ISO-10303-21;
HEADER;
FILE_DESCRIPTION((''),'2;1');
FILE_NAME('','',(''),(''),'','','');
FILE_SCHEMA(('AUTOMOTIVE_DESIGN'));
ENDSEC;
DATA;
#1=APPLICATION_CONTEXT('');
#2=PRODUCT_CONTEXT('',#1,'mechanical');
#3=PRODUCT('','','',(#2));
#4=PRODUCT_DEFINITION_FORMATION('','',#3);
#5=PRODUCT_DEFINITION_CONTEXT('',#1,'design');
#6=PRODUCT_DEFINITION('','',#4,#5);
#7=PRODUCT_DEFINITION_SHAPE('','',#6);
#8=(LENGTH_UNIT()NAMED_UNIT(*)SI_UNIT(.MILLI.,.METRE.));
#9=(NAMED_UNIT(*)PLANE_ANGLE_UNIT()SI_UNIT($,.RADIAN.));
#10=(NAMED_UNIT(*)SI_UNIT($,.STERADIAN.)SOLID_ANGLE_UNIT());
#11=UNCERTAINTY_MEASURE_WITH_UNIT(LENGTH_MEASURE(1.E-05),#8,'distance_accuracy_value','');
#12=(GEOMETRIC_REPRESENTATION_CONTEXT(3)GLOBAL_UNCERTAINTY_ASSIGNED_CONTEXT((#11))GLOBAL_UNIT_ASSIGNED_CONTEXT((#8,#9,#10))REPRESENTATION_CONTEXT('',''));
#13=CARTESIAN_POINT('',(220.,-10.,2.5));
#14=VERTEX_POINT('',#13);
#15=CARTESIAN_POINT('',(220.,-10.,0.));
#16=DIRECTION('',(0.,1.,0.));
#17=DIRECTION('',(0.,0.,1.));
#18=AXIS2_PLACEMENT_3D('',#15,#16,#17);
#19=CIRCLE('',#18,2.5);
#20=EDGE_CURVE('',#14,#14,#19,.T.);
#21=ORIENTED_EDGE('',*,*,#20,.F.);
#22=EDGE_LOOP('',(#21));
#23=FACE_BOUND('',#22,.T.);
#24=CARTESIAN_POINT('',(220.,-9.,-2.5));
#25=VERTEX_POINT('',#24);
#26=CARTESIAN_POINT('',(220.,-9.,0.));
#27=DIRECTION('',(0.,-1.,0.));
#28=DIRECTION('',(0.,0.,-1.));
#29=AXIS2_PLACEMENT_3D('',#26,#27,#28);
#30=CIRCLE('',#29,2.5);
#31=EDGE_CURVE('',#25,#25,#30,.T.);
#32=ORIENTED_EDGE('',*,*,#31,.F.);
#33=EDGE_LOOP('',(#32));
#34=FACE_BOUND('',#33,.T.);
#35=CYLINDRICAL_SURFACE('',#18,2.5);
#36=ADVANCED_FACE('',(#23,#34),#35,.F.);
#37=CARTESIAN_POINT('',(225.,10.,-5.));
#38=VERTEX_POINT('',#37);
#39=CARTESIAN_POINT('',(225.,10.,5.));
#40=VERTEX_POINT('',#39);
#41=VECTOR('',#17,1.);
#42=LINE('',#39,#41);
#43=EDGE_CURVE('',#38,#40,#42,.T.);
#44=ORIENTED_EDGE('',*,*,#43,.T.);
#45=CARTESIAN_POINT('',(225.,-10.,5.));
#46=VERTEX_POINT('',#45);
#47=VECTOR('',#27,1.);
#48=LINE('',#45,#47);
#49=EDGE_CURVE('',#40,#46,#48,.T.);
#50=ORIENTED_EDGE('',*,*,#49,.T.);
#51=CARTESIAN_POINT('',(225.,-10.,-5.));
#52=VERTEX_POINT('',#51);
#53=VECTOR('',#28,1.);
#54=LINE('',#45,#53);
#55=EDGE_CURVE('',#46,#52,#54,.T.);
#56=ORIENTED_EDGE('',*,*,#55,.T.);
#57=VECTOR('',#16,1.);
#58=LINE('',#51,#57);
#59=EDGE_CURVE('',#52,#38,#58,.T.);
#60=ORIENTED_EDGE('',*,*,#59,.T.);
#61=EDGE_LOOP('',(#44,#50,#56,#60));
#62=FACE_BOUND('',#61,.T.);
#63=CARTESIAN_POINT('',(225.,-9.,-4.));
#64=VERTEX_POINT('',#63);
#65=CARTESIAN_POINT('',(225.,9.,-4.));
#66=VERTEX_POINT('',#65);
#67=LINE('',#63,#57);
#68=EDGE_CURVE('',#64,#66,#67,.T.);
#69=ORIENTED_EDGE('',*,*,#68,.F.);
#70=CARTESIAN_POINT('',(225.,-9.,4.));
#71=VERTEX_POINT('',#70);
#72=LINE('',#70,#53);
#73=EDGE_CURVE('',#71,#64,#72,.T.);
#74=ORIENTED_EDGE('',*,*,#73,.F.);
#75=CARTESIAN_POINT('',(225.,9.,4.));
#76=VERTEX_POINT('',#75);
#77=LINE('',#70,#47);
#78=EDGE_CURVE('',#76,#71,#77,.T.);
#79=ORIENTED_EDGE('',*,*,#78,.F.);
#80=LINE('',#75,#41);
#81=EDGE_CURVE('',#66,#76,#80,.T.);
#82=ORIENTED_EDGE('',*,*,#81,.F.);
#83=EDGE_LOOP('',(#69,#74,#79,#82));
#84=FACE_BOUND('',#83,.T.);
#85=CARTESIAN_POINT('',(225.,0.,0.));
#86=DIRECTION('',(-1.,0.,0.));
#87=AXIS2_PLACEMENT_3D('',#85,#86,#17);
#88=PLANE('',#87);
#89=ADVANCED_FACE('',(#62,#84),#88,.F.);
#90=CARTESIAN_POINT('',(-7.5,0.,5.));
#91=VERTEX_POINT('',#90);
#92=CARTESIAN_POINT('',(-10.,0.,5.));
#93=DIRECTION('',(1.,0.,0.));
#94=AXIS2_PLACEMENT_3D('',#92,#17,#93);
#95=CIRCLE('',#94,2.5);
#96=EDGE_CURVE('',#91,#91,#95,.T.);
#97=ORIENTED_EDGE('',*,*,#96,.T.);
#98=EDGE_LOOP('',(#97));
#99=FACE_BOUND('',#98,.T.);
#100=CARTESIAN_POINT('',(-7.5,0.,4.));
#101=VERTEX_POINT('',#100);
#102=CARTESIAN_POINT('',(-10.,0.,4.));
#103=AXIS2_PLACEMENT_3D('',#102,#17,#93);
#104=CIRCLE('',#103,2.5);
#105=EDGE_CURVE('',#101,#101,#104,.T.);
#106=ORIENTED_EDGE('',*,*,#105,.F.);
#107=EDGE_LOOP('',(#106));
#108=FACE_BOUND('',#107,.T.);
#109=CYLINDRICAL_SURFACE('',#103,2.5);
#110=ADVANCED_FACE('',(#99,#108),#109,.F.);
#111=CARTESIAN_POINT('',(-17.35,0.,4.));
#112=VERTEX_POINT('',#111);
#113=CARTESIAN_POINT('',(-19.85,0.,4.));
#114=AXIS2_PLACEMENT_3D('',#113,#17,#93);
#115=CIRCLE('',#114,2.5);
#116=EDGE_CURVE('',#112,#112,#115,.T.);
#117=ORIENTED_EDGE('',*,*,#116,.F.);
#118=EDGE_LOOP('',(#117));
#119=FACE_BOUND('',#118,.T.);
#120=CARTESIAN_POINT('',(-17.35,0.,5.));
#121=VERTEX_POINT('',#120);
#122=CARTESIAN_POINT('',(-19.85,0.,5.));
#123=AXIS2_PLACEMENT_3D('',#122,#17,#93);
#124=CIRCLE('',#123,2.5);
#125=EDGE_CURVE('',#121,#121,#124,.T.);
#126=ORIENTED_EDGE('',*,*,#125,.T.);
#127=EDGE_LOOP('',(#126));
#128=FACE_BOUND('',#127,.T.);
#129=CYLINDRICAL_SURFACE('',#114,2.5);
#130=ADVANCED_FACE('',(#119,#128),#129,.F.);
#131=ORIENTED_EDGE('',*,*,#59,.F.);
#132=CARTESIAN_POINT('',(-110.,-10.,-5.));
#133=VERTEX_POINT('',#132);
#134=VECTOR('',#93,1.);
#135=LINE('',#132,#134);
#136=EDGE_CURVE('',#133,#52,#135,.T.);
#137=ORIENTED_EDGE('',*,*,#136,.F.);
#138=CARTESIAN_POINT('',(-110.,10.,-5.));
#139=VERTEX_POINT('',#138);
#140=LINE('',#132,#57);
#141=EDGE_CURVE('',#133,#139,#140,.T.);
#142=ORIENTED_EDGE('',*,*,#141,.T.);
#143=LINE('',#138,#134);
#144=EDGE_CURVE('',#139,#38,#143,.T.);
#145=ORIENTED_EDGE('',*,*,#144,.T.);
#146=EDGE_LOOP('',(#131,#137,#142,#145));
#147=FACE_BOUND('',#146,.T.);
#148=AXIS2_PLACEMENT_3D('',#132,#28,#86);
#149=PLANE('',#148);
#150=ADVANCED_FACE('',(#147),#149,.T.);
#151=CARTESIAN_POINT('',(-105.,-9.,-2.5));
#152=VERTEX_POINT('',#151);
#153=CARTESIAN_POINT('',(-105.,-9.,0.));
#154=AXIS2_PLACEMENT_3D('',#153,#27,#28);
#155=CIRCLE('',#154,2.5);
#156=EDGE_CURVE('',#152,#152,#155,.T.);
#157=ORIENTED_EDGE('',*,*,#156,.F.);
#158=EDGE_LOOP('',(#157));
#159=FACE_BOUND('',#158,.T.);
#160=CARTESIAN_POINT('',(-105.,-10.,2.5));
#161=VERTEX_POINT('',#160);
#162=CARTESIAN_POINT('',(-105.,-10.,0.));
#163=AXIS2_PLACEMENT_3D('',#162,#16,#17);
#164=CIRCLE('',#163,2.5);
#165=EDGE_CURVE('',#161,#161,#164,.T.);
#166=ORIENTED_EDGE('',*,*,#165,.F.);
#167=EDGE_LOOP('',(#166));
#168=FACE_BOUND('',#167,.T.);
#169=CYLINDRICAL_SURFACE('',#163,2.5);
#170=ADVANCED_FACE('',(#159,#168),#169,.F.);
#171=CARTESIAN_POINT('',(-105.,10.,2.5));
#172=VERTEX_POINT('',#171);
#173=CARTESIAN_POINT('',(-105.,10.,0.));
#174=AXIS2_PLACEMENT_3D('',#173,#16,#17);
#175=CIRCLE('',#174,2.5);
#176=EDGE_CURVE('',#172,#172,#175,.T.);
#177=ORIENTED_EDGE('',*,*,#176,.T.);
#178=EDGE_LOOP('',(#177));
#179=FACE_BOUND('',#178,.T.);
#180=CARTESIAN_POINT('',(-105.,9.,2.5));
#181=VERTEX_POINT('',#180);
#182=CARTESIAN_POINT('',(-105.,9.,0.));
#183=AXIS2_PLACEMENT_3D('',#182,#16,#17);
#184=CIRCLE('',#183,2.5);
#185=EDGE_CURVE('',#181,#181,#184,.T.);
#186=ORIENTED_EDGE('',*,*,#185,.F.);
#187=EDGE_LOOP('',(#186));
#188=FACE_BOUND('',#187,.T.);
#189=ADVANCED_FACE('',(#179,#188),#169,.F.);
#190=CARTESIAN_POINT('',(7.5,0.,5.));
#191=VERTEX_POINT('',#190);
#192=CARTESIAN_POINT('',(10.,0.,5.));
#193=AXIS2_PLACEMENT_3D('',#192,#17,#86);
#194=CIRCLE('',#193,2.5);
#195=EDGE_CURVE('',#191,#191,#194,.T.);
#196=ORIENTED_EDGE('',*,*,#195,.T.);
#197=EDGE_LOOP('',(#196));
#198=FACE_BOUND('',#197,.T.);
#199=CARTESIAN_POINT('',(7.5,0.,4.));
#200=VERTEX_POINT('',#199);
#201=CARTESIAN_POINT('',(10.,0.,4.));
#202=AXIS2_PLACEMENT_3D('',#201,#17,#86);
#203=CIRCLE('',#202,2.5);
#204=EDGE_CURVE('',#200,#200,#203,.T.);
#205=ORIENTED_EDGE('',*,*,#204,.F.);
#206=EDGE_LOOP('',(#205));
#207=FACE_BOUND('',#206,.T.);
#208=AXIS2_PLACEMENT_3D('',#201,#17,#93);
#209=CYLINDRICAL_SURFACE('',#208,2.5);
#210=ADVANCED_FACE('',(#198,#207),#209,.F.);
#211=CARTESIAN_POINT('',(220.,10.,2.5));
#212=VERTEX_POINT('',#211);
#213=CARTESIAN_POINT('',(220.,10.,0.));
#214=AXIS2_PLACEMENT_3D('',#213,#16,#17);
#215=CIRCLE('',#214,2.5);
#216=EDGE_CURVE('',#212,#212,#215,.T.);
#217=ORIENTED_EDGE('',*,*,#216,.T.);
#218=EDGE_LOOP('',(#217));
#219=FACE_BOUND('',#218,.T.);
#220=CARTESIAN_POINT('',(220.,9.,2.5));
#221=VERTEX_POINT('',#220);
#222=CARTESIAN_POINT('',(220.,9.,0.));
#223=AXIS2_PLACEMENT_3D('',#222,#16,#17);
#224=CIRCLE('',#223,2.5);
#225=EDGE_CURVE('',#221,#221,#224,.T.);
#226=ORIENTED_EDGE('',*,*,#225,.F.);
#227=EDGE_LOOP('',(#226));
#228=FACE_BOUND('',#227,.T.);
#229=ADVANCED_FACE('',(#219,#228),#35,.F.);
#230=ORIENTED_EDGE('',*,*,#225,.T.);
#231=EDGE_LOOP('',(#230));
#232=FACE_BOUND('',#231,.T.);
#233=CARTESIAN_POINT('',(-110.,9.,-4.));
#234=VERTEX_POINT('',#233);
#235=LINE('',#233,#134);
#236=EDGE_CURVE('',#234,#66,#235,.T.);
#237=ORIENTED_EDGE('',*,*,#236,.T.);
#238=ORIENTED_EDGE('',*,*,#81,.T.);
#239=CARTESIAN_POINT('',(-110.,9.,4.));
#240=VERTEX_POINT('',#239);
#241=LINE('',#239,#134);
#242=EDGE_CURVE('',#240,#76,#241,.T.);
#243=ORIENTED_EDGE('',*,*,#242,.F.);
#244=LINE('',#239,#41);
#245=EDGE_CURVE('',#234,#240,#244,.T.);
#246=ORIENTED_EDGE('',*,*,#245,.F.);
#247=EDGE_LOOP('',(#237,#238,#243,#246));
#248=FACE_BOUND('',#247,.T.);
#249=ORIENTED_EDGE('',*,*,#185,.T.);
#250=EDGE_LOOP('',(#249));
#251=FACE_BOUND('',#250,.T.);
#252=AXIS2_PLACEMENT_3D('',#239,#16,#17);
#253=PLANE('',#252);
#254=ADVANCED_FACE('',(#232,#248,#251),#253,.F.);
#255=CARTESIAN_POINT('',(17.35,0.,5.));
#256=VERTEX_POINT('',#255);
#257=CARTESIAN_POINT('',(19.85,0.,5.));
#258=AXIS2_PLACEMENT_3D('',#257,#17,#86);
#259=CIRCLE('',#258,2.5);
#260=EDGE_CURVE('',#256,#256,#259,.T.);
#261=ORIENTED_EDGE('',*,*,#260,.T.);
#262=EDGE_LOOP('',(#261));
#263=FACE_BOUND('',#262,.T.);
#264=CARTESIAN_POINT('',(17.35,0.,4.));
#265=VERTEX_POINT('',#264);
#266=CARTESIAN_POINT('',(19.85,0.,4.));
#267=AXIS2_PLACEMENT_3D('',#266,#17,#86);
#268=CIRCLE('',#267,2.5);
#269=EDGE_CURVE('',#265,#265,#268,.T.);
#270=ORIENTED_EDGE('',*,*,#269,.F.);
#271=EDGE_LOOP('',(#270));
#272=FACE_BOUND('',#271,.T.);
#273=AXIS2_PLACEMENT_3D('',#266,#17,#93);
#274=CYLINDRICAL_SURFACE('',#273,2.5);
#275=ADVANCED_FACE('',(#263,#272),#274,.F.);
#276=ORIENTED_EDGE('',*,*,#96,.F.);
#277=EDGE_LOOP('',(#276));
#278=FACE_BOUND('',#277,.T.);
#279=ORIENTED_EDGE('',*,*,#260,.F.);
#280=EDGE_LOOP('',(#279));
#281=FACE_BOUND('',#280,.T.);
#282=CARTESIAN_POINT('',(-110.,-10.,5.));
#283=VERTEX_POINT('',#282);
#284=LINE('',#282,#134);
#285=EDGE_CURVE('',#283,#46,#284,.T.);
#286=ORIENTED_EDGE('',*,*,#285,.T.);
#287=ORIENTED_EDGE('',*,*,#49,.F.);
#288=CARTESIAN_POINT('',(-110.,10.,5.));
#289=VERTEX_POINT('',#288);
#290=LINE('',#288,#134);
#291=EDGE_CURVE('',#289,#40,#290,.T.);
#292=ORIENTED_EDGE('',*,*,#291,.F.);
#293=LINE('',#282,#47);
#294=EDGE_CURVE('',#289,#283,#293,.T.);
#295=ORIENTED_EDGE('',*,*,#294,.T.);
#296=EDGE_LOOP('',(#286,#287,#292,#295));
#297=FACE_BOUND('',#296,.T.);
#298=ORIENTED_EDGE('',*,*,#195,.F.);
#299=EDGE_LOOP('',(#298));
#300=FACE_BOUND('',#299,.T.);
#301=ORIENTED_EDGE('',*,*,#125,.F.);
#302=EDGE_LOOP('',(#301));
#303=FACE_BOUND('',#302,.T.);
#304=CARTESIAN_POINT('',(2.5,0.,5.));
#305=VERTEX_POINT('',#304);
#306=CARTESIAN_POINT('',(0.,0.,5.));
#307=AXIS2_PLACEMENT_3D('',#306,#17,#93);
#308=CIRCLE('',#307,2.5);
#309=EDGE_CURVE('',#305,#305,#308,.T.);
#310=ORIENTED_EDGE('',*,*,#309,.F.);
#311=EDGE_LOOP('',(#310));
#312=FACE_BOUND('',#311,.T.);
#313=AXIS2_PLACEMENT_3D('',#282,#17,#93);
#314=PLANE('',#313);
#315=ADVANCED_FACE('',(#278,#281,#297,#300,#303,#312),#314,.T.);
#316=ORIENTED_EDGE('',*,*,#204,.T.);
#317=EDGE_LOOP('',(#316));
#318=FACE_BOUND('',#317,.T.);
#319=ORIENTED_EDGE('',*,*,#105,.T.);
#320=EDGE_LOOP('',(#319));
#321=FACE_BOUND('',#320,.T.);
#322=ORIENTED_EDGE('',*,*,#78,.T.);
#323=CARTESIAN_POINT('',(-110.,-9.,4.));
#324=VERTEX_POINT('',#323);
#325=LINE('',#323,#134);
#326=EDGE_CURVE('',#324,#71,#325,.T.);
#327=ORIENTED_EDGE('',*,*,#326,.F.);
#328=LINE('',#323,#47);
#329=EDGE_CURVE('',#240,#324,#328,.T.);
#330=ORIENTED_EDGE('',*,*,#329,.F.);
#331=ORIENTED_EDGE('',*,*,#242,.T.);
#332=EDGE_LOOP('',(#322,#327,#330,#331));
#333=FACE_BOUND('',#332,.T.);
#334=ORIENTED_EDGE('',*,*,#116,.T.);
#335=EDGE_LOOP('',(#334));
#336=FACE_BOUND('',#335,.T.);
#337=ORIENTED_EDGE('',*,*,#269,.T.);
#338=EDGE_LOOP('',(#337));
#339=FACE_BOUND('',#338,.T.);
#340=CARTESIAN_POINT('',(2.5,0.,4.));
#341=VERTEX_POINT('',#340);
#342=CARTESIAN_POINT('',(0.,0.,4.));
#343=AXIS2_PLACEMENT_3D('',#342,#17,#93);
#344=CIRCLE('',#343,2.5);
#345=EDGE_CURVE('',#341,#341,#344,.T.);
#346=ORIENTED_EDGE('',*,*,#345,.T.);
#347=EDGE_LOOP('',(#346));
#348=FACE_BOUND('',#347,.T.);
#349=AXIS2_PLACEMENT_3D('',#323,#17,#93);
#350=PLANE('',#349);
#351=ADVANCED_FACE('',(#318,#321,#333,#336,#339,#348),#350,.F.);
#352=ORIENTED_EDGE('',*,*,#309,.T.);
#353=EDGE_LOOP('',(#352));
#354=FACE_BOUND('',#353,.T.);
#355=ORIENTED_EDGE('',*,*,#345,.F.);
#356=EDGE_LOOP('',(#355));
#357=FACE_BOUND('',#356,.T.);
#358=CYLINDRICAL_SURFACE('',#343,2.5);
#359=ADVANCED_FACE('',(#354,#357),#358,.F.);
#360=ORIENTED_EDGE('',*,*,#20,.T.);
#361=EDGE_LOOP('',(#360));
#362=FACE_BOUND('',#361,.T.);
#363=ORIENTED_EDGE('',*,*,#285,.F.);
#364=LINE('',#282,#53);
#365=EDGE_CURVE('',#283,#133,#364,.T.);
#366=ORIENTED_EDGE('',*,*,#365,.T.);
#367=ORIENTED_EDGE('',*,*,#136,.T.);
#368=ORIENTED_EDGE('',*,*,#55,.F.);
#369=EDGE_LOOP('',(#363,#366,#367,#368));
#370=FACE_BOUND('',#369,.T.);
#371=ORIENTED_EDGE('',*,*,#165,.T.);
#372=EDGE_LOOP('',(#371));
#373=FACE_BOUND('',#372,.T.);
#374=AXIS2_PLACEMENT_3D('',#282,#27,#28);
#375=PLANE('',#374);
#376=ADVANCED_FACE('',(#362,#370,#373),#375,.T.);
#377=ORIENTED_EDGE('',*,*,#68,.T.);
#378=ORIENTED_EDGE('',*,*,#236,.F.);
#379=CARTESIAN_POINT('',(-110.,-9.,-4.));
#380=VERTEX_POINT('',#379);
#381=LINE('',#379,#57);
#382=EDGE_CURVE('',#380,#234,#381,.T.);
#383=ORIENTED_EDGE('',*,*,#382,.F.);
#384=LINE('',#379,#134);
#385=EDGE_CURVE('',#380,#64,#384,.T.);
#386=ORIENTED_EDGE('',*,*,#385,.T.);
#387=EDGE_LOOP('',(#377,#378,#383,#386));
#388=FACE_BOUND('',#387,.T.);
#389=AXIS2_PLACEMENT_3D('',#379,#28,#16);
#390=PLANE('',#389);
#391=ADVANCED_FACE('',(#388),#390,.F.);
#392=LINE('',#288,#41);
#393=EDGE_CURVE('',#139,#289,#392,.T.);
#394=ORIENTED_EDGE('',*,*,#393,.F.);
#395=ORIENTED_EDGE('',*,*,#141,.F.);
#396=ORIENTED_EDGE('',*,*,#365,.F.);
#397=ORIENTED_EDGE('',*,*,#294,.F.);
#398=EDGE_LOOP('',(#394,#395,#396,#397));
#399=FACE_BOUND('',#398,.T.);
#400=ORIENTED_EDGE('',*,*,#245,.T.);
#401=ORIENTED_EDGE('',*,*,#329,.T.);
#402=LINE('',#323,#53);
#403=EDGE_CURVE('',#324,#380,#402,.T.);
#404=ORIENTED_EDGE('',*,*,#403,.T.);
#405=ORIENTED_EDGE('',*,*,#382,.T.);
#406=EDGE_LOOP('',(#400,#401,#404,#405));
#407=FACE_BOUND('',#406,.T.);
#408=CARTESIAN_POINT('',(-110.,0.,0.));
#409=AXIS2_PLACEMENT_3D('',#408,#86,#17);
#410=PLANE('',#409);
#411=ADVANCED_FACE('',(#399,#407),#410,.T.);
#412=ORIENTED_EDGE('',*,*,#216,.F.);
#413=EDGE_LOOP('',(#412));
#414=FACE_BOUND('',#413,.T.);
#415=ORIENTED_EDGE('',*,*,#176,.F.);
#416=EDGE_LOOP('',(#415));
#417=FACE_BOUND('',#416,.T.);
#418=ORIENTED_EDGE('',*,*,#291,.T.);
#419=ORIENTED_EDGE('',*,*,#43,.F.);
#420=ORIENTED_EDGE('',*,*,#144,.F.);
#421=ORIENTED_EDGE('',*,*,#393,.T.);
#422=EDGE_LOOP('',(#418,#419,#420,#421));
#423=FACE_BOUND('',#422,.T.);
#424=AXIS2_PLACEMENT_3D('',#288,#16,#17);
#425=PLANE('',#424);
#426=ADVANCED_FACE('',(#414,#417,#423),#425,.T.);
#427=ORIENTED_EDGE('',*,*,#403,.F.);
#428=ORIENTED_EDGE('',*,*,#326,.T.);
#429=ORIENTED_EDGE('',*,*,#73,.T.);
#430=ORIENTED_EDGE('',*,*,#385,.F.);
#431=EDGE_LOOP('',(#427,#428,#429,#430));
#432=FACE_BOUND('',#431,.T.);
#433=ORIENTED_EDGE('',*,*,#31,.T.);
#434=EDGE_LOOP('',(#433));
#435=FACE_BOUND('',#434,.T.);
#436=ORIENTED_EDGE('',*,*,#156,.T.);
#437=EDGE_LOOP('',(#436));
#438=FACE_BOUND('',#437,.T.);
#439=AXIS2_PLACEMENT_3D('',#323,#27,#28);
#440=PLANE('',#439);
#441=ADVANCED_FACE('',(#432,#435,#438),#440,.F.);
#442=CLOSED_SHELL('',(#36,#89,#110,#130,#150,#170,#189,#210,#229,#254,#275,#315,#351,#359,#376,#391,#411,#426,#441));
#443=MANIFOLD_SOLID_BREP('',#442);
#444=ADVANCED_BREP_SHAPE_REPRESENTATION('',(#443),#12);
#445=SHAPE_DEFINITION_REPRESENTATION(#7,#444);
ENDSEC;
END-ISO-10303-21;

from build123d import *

# Parameters (mm, degrees)
BOSS_EXTRUDE1_DEPTH      = 225
BOSS_EXTRUDE1_DEPTH_BACK = 110
SKETCH1_W                = 10
SKETCH1_H                = 20
SKETCH1_W_2              = 8
SKETCH1_H_2              = 18
SKETCH2_R                = 2.5
CUT_EXTRUDE1_DEPTH       = 1
SKETCH3_R                = 2.5
CUT_EXTRUDE2_DEPTH       = 20


with BuildPart() as part:
    # Sketch1 → Boss-Extrude1 (new, two sides: drawn at the far end of the back side and taken through both)
    with BuildSketch(Plane(origin=(0, 0, 0), x_dir=(0, 0, -1), z_dir=(1, 0, 0)).offset(-BOSS_EXTRUDE1_DEPTH_BACK)):
        Rectangle(SKETCH1_W, SKETCH1_H)
        Rectangle(SKETCH1_W_2, SKETCH1_H_2, mode=Mode.SUBTRACT)
    extrude(amount=BOSS_EXTRUDE1_DEPTH + BOSS_EXTRUDE1_DEPTH_BACK)

    # Sketch2 → Cut-Extrude1 (cut)
    with BuildSketch(Plane.XY.offset(5)):
        with Locations((-19.85, 0)):
            Circle(SKETCH2_R)
        with Locations((-10, 0)):
            Circle(SKETCH2_R)
        Circle(SKETCH2_R)
        with Locations(Location((19.85, 0, 0), (0, 0, 180))):
            Circle(SKETCH2_R)
        with Locations(Location((10, 0, 0), (0, 0, 180))):
            Circle(SKETCH2_R)
    extrude(amount=-CUT_EXTRUDE1_DEPTH, mode=Mode.SUBTRACT)

    # Sketch3 → Cut-Extrude2 (cut)
    with BuildSketch(Plane(origin=(0, 10, 0), x_dir=(1, 0, 0), z_dir=(0, 1, 0))):
        with Locations(Location((220, 0, 0), (0, 0, 270))):
            Circle(SKETCH3_R)
        with Locations(Location((-105, 0, 0), (0, 0, 270))):
            Circle(SKETCH3_R)
    extrude(amount=-CUT_EXTRUDE2_DEPTH, mode=Mode.SUBTRACT)


solid = part.part
